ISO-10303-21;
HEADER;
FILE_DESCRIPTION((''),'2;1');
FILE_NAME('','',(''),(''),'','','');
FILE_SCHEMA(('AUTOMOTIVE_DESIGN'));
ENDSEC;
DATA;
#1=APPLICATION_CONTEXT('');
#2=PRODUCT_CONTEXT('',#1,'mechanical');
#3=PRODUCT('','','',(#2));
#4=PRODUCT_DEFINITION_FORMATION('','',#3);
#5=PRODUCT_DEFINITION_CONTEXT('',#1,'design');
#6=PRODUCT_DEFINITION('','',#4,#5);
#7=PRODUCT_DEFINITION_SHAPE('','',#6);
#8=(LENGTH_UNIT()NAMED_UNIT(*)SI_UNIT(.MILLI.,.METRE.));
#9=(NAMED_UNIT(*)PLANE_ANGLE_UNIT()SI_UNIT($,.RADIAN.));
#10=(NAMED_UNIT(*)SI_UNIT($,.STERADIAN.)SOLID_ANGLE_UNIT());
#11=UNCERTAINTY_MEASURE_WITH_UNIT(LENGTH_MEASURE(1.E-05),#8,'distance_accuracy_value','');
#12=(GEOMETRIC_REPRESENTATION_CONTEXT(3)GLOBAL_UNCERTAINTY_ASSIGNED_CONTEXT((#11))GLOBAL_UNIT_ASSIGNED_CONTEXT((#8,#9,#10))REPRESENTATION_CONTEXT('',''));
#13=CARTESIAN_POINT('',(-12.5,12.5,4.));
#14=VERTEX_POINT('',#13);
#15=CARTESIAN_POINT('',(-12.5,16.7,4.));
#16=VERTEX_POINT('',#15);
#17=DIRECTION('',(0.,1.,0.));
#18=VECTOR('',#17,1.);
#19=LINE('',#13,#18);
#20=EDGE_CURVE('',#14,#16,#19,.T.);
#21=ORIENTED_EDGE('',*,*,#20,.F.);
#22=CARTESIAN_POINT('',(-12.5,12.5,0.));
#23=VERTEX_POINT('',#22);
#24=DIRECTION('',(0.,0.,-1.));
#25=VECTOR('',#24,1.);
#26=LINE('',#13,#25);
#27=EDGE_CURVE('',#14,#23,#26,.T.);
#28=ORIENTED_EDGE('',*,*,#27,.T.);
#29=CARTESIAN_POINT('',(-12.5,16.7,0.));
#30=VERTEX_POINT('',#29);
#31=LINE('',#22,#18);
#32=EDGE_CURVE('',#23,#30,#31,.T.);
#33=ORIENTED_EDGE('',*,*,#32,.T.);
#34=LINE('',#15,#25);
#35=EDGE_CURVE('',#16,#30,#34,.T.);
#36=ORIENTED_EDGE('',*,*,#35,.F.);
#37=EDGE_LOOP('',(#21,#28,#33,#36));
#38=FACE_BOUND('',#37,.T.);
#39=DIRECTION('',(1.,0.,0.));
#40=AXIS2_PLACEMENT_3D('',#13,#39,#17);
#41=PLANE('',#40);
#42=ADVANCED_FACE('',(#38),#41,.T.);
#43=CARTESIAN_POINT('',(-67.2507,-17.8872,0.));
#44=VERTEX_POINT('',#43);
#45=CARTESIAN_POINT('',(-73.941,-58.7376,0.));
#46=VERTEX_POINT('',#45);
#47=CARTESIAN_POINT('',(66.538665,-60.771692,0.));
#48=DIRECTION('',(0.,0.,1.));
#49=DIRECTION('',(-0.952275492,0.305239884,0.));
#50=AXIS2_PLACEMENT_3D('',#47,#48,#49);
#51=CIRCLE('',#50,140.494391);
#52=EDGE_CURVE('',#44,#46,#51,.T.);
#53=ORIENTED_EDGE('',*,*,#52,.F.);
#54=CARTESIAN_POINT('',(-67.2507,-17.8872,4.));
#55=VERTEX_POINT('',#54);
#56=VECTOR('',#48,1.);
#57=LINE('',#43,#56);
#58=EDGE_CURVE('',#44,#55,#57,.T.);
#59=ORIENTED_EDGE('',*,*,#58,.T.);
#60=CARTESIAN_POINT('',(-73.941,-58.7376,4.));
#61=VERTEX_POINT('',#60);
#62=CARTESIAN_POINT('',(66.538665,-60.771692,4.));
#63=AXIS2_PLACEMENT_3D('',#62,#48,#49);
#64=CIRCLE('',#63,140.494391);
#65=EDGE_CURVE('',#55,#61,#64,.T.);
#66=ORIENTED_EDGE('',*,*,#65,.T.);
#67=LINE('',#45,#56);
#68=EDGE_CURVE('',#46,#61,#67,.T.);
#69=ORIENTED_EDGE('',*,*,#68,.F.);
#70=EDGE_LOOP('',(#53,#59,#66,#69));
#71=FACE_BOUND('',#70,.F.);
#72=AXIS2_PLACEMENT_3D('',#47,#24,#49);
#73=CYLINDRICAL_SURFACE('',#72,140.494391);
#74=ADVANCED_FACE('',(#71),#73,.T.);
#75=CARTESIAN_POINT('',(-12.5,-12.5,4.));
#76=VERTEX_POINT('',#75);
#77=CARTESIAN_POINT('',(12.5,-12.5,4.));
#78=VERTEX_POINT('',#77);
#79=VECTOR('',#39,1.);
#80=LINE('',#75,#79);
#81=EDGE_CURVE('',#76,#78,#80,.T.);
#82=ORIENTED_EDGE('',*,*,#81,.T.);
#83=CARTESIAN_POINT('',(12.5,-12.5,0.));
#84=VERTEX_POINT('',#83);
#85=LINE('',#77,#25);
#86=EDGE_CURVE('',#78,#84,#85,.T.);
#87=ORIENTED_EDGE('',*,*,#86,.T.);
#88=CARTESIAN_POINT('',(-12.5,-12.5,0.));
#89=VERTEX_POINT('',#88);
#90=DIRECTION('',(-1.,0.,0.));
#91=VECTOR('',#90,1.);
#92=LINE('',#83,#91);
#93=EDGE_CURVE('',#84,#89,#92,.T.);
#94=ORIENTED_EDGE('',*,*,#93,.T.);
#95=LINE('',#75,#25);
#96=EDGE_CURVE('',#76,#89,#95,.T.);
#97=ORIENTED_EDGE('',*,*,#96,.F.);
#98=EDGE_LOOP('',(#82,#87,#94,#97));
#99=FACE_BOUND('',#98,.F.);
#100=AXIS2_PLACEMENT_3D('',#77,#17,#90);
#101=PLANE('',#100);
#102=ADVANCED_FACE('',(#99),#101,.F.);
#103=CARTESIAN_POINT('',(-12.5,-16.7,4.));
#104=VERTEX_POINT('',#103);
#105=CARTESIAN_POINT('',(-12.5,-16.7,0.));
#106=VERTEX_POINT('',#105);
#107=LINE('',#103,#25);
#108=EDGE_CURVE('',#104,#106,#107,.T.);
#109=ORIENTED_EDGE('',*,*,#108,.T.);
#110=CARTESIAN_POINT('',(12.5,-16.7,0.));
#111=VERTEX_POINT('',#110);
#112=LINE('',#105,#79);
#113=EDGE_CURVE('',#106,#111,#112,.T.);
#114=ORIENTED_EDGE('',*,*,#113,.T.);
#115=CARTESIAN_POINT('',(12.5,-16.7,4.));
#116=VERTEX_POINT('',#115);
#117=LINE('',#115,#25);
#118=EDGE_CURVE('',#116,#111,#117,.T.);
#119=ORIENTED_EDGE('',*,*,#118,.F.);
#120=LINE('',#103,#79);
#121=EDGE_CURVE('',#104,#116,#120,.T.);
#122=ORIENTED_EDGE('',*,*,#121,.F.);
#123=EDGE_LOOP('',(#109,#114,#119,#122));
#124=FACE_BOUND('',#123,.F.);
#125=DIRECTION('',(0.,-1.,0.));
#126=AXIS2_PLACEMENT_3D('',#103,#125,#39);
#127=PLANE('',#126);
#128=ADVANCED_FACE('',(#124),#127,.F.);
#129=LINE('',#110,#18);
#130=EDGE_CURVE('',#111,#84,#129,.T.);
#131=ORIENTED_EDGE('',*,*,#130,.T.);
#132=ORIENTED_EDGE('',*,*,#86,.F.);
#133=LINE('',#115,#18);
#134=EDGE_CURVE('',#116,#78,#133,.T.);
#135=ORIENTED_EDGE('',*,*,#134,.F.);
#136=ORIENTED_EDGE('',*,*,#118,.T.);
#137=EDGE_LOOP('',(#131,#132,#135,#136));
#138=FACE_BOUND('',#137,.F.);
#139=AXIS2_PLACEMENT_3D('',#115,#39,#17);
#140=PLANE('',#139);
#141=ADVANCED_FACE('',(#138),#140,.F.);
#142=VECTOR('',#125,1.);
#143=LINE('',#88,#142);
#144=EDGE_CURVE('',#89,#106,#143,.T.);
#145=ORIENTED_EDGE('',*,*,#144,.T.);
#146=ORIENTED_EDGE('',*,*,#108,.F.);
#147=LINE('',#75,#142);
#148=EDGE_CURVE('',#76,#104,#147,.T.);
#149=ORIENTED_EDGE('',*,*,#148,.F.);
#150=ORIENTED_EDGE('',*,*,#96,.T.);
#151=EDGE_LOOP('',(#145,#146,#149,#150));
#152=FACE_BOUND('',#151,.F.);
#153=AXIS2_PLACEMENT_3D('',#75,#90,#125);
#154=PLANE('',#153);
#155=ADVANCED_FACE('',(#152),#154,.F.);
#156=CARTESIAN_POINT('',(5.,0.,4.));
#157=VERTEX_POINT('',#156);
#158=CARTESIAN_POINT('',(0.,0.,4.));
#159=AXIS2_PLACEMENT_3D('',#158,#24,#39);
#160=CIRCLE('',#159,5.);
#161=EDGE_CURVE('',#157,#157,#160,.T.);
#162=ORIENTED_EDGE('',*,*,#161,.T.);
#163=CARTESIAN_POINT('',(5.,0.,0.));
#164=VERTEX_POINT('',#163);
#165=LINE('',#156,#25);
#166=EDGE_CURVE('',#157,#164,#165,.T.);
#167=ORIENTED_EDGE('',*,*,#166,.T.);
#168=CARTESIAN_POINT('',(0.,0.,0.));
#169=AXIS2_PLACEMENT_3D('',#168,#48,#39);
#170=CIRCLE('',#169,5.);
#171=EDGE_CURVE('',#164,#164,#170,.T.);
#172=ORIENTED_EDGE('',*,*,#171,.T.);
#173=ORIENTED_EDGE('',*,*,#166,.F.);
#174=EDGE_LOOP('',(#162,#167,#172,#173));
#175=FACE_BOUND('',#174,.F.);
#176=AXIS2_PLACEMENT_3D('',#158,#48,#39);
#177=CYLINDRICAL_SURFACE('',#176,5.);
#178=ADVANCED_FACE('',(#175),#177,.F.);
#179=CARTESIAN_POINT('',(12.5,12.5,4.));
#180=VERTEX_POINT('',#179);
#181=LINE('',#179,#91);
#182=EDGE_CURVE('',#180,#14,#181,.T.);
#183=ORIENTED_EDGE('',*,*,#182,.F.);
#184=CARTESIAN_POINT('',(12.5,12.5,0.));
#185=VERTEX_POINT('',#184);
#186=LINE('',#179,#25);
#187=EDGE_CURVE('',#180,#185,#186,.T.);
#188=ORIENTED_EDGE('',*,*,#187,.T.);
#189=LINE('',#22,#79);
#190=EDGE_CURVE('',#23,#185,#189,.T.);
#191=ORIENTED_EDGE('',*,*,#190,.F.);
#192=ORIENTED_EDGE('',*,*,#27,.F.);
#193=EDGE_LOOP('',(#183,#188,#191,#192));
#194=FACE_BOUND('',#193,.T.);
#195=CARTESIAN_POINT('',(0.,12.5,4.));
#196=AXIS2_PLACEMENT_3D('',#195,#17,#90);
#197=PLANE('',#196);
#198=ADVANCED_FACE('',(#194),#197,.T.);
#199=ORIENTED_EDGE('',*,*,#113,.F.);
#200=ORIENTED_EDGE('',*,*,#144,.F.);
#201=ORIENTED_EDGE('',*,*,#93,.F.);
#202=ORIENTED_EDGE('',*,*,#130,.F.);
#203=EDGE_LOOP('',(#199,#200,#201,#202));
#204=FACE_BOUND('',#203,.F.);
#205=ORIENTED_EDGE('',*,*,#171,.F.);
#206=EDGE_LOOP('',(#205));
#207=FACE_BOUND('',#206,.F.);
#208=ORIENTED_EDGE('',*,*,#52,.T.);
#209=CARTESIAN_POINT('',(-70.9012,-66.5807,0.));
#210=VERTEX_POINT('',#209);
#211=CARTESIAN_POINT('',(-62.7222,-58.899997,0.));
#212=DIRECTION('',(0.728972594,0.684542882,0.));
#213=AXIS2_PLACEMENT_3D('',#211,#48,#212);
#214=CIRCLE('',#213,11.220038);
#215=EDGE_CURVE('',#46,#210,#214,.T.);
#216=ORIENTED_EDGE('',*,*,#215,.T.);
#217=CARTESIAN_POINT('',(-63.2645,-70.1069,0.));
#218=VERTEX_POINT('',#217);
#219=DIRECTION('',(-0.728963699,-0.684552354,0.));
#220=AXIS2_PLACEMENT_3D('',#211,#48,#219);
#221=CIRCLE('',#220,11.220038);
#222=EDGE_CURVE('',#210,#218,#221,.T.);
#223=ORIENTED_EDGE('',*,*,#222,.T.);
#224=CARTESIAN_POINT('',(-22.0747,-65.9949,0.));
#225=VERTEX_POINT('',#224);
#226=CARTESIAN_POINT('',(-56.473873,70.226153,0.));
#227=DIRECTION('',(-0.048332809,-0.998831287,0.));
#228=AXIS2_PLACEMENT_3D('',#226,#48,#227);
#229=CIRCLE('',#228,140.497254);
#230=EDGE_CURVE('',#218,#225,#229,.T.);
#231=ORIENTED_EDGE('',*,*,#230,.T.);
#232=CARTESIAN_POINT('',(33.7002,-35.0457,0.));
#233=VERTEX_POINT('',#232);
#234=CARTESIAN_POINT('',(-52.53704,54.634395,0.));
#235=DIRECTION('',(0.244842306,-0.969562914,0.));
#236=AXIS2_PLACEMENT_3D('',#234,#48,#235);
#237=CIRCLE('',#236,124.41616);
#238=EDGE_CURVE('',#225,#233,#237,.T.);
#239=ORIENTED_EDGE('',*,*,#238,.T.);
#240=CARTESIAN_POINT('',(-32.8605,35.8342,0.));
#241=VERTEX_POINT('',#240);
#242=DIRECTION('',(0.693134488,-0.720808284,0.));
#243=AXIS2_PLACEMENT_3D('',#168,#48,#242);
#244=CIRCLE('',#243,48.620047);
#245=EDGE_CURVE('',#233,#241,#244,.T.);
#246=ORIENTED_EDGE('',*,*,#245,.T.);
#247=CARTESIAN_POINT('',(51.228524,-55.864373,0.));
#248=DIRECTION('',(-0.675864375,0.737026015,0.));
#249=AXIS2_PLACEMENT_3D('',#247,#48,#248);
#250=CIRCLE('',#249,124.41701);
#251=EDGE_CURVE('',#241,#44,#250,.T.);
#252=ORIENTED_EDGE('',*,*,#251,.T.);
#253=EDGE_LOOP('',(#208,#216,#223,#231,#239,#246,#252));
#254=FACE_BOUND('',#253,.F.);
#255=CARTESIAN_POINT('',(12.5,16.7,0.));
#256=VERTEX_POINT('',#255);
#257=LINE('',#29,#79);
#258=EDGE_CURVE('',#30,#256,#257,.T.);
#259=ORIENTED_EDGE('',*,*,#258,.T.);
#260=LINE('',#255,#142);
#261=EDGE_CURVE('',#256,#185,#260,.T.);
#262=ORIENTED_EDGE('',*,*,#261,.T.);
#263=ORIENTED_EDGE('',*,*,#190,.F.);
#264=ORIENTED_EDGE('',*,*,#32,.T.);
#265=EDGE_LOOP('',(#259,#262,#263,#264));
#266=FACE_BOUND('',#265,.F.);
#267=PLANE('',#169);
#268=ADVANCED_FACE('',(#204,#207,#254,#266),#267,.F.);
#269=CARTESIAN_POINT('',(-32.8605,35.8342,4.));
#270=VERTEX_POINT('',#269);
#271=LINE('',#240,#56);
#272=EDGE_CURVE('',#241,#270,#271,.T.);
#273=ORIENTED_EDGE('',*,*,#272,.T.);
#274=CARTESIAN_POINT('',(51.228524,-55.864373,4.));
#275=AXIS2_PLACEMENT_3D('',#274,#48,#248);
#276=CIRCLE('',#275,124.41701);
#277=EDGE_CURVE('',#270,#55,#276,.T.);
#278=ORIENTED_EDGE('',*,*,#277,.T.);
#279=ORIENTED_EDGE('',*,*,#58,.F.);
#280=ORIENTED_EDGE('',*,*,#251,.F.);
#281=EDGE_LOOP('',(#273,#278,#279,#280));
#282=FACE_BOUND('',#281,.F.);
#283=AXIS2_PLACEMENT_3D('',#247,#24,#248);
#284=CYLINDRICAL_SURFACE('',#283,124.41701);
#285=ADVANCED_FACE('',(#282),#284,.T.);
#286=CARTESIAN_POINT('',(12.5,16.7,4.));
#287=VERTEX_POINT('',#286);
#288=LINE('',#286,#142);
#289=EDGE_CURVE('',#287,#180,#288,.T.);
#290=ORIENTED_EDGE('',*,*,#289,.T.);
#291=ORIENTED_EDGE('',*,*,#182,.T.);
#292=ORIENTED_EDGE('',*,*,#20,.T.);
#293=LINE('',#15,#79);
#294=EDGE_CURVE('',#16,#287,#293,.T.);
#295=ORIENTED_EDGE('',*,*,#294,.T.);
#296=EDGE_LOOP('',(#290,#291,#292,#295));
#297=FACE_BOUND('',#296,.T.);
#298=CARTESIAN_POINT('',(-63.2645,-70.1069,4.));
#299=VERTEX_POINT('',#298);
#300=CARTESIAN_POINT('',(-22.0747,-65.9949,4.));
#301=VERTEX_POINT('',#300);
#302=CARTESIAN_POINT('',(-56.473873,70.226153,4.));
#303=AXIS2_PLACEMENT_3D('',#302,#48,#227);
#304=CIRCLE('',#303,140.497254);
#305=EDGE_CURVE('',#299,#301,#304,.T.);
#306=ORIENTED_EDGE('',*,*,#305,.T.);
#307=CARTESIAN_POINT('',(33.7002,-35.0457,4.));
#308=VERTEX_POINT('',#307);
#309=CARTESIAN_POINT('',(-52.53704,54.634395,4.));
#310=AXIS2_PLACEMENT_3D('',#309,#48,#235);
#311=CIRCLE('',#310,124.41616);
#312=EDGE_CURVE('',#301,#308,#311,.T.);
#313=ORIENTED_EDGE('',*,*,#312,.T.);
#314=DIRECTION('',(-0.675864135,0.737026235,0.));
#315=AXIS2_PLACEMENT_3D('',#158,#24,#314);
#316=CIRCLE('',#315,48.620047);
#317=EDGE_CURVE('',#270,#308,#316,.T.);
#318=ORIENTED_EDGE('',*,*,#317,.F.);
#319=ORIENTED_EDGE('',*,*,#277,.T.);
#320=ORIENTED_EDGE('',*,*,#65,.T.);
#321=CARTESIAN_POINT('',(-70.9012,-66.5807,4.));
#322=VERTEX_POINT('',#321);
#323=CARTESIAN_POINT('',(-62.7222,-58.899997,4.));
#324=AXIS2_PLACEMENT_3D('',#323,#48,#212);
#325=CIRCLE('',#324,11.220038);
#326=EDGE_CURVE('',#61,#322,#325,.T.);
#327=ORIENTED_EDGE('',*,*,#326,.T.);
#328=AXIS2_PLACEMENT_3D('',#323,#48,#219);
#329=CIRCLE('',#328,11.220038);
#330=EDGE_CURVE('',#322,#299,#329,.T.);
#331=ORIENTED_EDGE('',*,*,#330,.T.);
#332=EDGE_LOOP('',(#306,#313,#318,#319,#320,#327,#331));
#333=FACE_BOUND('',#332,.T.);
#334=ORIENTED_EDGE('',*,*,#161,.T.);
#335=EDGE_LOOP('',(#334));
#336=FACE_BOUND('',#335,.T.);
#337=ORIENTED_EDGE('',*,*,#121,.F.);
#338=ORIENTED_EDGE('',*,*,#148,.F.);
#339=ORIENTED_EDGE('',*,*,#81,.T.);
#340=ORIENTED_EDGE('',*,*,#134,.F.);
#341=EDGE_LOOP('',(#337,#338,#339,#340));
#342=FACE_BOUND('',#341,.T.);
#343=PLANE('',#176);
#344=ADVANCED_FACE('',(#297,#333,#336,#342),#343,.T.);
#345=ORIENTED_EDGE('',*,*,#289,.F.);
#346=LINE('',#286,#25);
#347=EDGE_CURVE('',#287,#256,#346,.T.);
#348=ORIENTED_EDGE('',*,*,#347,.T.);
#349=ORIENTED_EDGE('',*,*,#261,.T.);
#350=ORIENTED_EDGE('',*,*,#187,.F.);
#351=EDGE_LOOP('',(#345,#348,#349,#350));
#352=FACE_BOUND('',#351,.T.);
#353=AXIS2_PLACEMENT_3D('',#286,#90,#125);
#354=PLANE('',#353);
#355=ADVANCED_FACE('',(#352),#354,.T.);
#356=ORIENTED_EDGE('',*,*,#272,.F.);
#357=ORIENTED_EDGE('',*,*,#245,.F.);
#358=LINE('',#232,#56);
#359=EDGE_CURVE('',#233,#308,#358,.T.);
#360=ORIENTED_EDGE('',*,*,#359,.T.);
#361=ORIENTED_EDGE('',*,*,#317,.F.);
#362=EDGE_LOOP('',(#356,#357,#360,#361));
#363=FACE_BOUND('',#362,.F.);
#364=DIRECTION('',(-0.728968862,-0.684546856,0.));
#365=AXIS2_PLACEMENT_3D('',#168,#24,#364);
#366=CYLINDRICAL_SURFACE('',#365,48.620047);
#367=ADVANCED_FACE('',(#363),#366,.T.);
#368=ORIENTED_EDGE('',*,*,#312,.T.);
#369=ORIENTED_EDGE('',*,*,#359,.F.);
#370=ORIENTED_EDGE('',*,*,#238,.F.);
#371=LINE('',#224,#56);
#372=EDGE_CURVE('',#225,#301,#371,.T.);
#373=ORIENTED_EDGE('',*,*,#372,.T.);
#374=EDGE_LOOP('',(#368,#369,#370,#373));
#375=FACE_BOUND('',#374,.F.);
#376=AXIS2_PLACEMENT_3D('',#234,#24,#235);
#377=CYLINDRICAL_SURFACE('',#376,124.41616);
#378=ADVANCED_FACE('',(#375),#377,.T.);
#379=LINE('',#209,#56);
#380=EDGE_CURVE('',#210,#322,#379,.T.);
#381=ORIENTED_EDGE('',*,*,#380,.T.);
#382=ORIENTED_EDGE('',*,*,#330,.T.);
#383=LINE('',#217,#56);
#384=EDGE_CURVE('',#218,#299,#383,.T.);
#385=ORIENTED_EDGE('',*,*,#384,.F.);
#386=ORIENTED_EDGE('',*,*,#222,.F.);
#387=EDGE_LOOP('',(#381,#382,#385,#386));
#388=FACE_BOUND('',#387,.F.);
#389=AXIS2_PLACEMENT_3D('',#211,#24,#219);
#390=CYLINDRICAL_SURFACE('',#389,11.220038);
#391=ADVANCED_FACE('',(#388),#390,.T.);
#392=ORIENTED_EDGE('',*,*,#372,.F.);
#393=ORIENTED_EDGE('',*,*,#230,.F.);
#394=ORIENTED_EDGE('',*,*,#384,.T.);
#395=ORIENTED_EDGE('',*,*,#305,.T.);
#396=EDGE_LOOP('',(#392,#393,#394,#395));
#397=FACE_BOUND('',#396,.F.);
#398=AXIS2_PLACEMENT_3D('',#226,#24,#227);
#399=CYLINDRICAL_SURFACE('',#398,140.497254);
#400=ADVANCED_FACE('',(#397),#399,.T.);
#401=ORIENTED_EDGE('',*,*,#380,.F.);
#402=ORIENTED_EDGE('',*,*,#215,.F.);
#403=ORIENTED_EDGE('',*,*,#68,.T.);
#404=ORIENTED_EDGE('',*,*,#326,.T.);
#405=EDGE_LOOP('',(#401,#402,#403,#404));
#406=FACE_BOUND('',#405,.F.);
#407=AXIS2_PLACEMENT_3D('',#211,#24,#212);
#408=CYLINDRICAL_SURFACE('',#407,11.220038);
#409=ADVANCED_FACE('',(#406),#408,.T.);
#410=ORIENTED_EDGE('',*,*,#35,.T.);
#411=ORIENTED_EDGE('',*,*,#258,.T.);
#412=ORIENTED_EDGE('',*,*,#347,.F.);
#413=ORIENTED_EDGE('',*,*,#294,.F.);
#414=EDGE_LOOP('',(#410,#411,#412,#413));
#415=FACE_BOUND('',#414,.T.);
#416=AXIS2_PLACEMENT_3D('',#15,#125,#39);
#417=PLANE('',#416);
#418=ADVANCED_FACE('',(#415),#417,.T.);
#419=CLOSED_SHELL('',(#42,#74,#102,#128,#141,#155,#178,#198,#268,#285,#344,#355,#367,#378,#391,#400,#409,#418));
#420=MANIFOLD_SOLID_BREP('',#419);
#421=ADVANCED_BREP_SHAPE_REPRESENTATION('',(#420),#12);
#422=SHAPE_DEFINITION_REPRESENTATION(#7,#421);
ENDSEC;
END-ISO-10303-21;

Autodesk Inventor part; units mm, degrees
ref_plane "YZ Plane" through (0, 0, 0) normal (1, 0, 0) x (0, 1, 0)
ref_plane "XZ Plane" through (0, 0, 0) normal (0, 1, 0) x (-1, 0, 0)
ref_plane "XY Plane" through (0, 0, 0) normal (0, 0, 1) x (1, 0, 0)
sketch "Boceto1" plane through (0, 0, 0) normal (0, 0, 1) x (1, 0, 0)
  arc A0 (35.4425, 33.2827) -> (-35.4425, -33.2827) centre (0, 0) ccw
  arc A1 (-54.5431, -51.2194) -> (-70.9012, -66.5807) centre (-62.7222, -58.9) ccw
  line L0 (-73.2692, -68.8044) -> (-80.9499, -60.6254)
  line L1 (-32.8605, 35.8342) -> (-45.6615, 49.4659)
  line L2 (-45.6615, 49.4659) -> (-80.9499, -60.6254)
  line L3 (-80.9499, -60.6254) -> (-67.2507, -17.8872)
  arc A2 (-32.8605, 35.8342) -> (-67.2507, -17.8872) centre (51.2282, -55.8641) ccw
  arc A3 (-67.2507, -17.8872) -> (-73.941, -58.7376) centre (66.5387, -60.7717) ccw
  line L4 (2.7263, 2.5602) -> (35.4425, 33.2827)
  line L5 (-2.7263, -2.5602) -> (-73.2692, -68.8044)
  arc A4 (-35.4425, -33.2827) -> (35.4425, 33.2827) centre (0, 0) ccw
  arc A5 (-70.9012, -66.5807) -> (-54.5431, -51.2194) centre (-62.7222, -58.9) ccw
  line L6 (-73.2692, -68.8044) -> (-65.5886, -76.9834)
  line L7 (33.7002, -35.0457) -> (46.5012, -48.6774)
  line L8 (46.5012, -48.6774) -> (-65.5886, -76.9834)
  line L9 (-65.5886, -76.9834) -> (-22.0747, -65.9949)
  arc A6 (-22.0747, -65.9949) -> (33.7002, -35.0457) centre (-52.5372, 54.6348) ccw
  arc A7 (-63.2645, -70.1069) -> (-22.0747, -65.9949) centre (-56.4738, 70.2233) ccw
  dimension "d0" = 97.24
  dimension "d6" = 22.44
  dimension "d7" = 11.22
  dimension "d8" = 18.7
  dimension "d9" = 44.88
extrude "Extrusión2" add sketch "Boceto1" along normal blind 4 contours A4 A0 | A0 L5 A1 A3 A2 | A6 A7 A5 L5 A4 | L5 A1 | A5 L5
sketch "Boceto2" plane through (0, 0, 4) normal (0, 0, 1) x (1, 0, 0)
  line L0 (0, 0) -> (0, 12.5)
  line L1 (0, 12.5) -> (-12.5, 12.5)
  line L2 (-12.5, 12.5) -> (-12.5, 16.7)
  line L3 (-12.5, 16.7) -> (12.5, 16.7)
  line L4 (12.5, 16.7) -> (12.5, 12.5)
  line L5 (12.5, 12.5) -> (0, 12.5)
  line L6 (0, 0) -> (12.5, 0)
  line L7 (0, 0) -> (0, -12.5)
  line L8 (0, -12.5) -> (-12.5, -12.5)
  line L9 (-12.5, -12.5) -> (-12.5, -16.7)
  line L10 (-12.5, -16.7) -> (12.5, -16.7)
  line L11 (12.5, -16.7) -> (12.5, -12.5)
  line L12 (12.5, -12.5) -> (0, -12.5)
  circle A0 centre (0, 0) radius 5
  dimension "d24" = 12.5
  dimension "d25" = 12.5
  dimension "d26" = 4.2
  dimension "d27" = 25
  dimension "d28" = 10
extrude "Extrusión3" cut sketch "Boceto2" against normal blind 4
properties part number "leva00" material "Madera (abedul)"
